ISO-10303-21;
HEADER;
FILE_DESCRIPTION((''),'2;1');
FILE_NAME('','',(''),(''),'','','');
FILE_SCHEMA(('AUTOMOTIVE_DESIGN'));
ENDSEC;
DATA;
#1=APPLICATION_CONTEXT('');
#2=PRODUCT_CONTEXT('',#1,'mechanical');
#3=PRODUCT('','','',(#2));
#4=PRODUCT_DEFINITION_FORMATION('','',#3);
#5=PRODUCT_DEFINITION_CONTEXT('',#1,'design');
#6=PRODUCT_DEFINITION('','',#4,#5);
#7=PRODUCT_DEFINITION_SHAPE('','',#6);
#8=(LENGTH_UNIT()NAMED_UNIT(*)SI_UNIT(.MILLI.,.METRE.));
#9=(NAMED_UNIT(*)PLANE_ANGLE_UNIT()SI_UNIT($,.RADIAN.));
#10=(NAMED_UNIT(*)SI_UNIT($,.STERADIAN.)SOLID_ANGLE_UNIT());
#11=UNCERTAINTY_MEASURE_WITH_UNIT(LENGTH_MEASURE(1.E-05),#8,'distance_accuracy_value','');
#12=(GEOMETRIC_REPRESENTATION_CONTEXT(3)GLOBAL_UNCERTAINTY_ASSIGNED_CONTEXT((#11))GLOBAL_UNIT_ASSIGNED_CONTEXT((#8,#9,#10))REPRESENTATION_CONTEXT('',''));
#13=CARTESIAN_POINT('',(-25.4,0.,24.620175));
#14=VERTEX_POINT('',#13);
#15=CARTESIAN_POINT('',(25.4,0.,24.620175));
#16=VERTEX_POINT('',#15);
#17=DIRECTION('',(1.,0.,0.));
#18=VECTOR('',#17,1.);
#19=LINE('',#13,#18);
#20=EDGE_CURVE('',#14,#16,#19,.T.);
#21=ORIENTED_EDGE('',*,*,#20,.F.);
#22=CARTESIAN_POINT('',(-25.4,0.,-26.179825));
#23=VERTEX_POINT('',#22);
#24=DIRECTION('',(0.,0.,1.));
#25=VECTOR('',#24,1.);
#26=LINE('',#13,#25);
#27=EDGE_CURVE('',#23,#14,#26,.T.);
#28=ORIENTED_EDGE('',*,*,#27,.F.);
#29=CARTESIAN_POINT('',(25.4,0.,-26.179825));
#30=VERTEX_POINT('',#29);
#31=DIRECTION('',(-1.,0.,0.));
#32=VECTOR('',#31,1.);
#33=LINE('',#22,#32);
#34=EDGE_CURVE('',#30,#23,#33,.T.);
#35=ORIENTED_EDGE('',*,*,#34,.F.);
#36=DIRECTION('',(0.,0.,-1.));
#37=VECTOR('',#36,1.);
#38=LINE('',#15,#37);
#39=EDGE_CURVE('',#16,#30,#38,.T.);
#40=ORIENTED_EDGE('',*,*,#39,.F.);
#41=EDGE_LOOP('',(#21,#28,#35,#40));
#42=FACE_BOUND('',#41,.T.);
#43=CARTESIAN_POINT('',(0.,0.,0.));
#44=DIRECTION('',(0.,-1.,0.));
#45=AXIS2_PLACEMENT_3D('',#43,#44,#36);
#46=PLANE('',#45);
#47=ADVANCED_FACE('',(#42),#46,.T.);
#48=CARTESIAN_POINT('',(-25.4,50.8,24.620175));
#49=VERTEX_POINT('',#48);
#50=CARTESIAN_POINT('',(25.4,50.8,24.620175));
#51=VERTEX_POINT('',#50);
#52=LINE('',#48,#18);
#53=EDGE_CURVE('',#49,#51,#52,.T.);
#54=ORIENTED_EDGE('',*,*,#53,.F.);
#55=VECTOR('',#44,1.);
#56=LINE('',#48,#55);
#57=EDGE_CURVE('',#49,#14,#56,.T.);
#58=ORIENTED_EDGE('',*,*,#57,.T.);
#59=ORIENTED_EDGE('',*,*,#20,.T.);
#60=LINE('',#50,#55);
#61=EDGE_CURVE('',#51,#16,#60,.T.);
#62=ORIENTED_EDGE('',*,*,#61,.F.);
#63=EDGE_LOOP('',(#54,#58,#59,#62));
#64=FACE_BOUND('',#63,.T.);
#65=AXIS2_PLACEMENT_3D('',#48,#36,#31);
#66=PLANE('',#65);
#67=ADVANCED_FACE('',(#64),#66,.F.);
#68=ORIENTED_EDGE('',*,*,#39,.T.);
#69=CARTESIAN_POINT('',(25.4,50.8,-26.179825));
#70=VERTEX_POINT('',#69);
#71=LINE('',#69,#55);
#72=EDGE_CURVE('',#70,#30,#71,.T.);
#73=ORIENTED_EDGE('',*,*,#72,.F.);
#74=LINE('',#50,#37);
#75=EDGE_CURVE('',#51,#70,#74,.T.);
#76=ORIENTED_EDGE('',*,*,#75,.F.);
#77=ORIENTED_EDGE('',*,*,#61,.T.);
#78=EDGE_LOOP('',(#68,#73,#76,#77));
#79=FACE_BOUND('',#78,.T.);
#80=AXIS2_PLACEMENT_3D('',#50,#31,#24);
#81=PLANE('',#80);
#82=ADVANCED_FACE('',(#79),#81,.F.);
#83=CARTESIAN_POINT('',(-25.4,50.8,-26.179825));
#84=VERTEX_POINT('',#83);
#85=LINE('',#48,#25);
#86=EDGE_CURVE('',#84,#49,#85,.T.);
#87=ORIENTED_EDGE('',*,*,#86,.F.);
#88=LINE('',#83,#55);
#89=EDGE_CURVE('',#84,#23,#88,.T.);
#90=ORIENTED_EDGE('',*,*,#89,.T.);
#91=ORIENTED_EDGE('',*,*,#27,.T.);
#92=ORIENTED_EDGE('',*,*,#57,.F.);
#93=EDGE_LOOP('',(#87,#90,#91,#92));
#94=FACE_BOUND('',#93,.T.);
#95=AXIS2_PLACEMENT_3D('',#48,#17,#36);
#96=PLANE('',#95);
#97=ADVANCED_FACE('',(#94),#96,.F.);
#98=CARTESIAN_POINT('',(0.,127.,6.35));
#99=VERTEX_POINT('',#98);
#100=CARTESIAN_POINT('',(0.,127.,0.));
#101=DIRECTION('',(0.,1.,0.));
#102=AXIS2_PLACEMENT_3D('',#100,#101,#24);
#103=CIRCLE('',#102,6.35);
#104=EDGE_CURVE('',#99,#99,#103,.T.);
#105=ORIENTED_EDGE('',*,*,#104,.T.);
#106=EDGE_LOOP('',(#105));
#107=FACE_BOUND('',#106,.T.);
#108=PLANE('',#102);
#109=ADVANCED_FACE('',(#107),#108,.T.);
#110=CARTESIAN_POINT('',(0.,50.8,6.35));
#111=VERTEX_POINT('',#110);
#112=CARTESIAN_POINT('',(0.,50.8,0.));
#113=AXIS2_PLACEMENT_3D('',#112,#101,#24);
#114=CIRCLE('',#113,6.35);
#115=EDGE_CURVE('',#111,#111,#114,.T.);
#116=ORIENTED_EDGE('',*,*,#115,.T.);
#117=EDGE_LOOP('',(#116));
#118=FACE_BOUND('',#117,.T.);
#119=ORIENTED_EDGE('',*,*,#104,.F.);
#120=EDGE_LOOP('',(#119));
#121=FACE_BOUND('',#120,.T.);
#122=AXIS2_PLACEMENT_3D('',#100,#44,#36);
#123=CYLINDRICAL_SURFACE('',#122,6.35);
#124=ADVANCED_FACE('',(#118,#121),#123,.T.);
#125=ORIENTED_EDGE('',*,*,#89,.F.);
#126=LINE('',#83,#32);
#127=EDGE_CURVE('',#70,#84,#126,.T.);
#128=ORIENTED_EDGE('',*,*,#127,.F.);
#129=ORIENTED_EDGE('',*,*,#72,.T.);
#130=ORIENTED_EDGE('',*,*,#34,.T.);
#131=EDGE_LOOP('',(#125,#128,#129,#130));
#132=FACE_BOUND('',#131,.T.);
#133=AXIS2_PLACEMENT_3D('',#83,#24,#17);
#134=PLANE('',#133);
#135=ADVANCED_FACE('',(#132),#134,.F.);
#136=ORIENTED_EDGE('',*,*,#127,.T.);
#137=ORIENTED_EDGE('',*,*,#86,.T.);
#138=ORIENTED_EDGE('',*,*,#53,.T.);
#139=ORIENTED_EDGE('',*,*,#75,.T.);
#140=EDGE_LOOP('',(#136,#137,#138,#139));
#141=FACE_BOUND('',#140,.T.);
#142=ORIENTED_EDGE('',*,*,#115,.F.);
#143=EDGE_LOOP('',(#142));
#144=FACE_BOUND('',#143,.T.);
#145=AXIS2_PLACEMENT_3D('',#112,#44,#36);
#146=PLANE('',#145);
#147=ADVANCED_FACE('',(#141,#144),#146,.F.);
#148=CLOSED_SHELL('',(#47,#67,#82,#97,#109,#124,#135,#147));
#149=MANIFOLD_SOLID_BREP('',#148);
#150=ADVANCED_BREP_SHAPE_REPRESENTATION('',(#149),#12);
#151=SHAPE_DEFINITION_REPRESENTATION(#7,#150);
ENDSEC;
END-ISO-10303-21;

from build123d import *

# Parameters (mm, degrees)
SKETCH1_W           = 50.8
SKETCH1_H           = 50.8
BOSS_EXTRUDE1_DEPTH = 50.8
SKETCH2_R           = 6.35
BOSS_EXTRUDE2_DEPTH = 76.2


with BuildPart() as part:
    # Sketch1 → Boss-Extrude1 (new body)
    with BuildSketch(Plane(origin=(0, 0, 0), x_dir=(1, 0, 0), z_dir=(0, 1, 0))):
        with Locations((0, 0.779824561)):
            Rectangle(SKETCH1_W, SKETCH1_H)
    extrude(amount=BOSS_EXTRUDE1_DEPTH)

    # Sketch2 → Boss-Extrude2 (add)
    with BuildSketch(Plane(origin=(0, 50.8, 0), x_dir=(1, 0, 0), z_dir=(0, 1, 0))):
        Circle(SKETCH2_R)
    extrude(amount=BOSS_EXTRUDE2_DEPTH)


solid = part.part
